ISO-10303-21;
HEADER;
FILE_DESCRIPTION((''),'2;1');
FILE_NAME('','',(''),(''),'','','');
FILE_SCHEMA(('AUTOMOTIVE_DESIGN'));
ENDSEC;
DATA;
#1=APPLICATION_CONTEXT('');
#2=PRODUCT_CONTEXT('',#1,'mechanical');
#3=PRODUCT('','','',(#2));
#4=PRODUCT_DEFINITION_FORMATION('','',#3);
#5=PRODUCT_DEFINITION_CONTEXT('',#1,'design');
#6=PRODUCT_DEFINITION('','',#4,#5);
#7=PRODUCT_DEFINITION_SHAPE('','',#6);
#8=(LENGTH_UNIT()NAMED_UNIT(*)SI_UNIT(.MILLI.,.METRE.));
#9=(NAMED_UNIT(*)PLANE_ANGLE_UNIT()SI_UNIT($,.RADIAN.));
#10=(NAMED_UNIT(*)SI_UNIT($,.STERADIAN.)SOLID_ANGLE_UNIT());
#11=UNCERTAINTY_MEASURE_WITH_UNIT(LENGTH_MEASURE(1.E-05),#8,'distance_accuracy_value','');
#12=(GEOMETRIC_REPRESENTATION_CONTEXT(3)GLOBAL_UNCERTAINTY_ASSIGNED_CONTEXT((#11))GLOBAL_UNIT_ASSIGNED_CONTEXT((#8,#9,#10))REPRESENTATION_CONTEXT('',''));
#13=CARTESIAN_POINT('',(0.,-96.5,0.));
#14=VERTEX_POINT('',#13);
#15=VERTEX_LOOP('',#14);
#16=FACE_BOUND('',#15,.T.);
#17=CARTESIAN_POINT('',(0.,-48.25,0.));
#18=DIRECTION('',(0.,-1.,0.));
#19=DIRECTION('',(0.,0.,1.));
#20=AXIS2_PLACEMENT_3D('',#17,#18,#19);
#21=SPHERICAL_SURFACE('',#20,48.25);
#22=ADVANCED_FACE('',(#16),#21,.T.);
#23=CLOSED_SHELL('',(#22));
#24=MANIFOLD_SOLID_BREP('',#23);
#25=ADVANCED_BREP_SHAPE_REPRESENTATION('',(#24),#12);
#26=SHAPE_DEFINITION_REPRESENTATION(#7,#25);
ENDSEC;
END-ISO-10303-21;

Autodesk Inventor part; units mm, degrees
sketch "Boceto1" plane through (0, 0, 0) normal (1, 0, 0) x (0, 1, 0)
  line L0 (0, 0) -> (-96.5, 0)
  arc A0 (0, 0) -> (-96.5, 0) centre (-48.25, 0) ccw
  line L1 (-48.25, 0) -> (-96.5, 0) construction
  line L2 (-48.25, 0) -> (0, 0) construction
  dimension "d1" = 180
revolve "Revolución1" add sketch "Boceto1" angle 360 about axis through (0, 0, 0) along (0, -1, 0)
properties part number "caster_wheel_link"
